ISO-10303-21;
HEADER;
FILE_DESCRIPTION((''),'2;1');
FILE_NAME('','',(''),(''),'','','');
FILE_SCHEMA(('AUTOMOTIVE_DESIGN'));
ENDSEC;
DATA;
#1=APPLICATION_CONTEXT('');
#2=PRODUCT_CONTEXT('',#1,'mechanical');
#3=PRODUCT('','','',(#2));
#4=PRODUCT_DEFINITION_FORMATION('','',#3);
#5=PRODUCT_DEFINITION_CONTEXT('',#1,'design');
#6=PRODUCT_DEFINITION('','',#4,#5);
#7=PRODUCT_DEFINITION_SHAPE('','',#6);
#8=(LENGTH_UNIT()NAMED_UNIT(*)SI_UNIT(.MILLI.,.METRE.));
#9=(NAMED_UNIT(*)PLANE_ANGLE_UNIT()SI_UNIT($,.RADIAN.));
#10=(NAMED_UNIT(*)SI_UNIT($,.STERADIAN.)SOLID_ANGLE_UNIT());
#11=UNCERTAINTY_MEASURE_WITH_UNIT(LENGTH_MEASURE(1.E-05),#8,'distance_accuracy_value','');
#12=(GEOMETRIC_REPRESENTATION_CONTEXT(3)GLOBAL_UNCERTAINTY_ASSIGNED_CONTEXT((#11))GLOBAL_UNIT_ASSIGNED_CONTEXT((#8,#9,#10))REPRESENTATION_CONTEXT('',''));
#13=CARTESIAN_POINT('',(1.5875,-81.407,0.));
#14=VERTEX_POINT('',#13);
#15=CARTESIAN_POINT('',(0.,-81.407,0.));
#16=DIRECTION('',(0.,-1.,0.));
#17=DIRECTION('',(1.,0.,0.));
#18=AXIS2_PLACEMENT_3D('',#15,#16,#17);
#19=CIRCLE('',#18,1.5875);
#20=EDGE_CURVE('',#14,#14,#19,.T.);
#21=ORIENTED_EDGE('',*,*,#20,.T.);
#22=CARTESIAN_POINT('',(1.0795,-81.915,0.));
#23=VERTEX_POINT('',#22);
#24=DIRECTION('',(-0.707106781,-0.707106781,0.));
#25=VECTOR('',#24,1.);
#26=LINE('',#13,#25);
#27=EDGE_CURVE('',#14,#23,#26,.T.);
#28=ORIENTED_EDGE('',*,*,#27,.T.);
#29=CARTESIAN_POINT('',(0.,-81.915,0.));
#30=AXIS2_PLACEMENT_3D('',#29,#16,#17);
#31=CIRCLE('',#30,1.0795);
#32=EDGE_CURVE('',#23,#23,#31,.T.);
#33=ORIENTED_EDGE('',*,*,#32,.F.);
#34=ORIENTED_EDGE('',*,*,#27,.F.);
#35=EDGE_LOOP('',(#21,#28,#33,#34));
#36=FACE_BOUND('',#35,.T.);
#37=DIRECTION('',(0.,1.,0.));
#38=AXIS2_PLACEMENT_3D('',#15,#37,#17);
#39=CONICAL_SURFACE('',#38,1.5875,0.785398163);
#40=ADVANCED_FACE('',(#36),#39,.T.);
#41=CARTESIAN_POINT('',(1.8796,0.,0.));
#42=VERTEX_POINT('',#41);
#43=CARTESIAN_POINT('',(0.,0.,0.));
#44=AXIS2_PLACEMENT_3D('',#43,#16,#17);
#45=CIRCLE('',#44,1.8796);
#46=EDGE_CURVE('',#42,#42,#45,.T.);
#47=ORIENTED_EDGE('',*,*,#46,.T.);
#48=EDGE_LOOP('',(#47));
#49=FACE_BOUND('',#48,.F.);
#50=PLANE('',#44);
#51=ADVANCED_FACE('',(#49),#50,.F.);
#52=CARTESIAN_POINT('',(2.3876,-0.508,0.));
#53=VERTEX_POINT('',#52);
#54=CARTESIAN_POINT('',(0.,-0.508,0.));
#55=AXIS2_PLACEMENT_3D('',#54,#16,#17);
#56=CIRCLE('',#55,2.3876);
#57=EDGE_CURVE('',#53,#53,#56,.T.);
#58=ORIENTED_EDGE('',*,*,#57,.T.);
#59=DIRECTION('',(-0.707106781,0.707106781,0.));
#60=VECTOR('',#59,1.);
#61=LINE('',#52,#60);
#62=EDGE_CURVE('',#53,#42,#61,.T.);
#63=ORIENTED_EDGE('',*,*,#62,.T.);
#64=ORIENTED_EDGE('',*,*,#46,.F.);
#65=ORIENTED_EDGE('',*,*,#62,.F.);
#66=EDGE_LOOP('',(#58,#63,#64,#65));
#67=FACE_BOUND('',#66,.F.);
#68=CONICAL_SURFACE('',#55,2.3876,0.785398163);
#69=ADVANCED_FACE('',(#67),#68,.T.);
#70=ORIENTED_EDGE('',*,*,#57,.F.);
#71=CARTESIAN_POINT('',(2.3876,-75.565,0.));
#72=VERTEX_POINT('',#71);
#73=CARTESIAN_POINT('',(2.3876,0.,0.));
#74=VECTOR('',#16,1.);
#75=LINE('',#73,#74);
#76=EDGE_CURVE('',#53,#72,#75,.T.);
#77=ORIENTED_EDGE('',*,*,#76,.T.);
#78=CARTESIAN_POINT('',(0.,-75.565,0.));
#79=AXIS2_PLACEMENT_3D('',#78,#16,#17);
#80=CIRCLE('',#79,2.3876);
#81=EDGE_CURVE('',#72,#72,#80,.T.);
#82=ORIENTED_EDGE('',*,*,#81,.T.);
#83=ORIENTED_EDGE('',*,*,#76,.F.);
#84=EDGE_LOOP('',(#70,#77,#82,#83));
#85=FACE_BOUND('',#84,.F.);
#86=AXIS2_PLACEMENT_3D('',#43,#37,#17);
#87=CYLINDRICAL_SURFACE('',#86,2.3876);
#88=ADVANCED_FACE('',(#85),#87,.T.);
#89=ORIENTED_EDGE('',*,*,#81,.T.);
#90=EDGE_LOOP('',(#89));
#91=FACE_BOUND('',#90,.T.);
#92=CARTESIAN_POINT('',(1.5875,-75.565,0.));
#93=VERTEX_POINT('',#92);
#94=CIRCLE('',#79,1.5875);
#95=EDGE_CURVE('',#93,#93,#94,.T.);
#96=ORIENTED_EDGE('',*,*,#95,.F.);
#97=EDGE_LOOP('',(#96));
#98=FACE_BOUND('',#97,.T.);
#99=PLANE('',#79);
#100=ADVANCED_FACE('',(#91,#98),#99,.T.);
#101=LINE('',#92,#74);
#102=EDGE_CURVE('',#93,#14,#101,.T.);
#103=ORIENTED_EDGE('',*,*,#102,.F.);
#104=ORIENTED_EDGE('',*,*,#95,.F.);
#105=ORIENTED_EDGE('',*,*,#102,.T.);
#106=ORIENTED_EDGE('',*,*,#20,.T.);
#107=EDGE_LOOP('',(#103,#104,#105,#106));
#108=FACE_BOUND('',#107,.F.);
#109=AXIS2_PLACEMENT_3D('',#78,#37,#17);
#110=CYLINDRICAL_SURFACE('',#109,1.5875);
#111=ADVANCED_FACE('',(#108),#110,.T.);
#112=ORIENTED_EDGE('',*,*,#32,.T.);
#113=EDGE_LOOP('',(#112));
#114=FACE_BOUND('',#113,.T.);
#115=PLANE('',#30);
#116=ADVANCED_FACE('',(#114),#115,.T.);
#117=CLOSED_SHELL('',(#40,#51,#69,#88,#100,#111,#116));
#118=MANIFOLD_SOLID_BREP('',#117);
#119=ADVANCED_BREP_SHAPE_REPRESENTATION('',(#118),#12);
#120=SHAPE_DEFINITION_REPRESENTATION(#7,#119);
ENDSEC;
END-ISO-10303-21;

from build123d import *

# Parameters (mm, degrees)
F0_R     = 2.3876
F1_DEPTH = 75.565
F2_R     = 1.5875
F3_DEPTH = 6.35
F4_SIZE  = 0.508


with BuildPart() as f1:
    # F0 (on Front) → F1 (new body)
    with BuildSketch(Plane.XZ):
        Circle(F0_R)
    extrude(amount=F1_DEPTH)

    # F2 (on face) → F3 (join)
    with BuildSketch(Plane.XZ.offset(75.565)):
        Circle(F2_R)
    extrude(amount=F3_DEPTH)

    # F4
    f4_edges = [f1.edges().sort_by_distance(p)[0] for p in [
        (-1.5875, -81.915, 0),
        (-2.3876, 0, 0),
    ]]
    chamfer(f4_edges, length=F4_SIZE)


solid = f1.part
